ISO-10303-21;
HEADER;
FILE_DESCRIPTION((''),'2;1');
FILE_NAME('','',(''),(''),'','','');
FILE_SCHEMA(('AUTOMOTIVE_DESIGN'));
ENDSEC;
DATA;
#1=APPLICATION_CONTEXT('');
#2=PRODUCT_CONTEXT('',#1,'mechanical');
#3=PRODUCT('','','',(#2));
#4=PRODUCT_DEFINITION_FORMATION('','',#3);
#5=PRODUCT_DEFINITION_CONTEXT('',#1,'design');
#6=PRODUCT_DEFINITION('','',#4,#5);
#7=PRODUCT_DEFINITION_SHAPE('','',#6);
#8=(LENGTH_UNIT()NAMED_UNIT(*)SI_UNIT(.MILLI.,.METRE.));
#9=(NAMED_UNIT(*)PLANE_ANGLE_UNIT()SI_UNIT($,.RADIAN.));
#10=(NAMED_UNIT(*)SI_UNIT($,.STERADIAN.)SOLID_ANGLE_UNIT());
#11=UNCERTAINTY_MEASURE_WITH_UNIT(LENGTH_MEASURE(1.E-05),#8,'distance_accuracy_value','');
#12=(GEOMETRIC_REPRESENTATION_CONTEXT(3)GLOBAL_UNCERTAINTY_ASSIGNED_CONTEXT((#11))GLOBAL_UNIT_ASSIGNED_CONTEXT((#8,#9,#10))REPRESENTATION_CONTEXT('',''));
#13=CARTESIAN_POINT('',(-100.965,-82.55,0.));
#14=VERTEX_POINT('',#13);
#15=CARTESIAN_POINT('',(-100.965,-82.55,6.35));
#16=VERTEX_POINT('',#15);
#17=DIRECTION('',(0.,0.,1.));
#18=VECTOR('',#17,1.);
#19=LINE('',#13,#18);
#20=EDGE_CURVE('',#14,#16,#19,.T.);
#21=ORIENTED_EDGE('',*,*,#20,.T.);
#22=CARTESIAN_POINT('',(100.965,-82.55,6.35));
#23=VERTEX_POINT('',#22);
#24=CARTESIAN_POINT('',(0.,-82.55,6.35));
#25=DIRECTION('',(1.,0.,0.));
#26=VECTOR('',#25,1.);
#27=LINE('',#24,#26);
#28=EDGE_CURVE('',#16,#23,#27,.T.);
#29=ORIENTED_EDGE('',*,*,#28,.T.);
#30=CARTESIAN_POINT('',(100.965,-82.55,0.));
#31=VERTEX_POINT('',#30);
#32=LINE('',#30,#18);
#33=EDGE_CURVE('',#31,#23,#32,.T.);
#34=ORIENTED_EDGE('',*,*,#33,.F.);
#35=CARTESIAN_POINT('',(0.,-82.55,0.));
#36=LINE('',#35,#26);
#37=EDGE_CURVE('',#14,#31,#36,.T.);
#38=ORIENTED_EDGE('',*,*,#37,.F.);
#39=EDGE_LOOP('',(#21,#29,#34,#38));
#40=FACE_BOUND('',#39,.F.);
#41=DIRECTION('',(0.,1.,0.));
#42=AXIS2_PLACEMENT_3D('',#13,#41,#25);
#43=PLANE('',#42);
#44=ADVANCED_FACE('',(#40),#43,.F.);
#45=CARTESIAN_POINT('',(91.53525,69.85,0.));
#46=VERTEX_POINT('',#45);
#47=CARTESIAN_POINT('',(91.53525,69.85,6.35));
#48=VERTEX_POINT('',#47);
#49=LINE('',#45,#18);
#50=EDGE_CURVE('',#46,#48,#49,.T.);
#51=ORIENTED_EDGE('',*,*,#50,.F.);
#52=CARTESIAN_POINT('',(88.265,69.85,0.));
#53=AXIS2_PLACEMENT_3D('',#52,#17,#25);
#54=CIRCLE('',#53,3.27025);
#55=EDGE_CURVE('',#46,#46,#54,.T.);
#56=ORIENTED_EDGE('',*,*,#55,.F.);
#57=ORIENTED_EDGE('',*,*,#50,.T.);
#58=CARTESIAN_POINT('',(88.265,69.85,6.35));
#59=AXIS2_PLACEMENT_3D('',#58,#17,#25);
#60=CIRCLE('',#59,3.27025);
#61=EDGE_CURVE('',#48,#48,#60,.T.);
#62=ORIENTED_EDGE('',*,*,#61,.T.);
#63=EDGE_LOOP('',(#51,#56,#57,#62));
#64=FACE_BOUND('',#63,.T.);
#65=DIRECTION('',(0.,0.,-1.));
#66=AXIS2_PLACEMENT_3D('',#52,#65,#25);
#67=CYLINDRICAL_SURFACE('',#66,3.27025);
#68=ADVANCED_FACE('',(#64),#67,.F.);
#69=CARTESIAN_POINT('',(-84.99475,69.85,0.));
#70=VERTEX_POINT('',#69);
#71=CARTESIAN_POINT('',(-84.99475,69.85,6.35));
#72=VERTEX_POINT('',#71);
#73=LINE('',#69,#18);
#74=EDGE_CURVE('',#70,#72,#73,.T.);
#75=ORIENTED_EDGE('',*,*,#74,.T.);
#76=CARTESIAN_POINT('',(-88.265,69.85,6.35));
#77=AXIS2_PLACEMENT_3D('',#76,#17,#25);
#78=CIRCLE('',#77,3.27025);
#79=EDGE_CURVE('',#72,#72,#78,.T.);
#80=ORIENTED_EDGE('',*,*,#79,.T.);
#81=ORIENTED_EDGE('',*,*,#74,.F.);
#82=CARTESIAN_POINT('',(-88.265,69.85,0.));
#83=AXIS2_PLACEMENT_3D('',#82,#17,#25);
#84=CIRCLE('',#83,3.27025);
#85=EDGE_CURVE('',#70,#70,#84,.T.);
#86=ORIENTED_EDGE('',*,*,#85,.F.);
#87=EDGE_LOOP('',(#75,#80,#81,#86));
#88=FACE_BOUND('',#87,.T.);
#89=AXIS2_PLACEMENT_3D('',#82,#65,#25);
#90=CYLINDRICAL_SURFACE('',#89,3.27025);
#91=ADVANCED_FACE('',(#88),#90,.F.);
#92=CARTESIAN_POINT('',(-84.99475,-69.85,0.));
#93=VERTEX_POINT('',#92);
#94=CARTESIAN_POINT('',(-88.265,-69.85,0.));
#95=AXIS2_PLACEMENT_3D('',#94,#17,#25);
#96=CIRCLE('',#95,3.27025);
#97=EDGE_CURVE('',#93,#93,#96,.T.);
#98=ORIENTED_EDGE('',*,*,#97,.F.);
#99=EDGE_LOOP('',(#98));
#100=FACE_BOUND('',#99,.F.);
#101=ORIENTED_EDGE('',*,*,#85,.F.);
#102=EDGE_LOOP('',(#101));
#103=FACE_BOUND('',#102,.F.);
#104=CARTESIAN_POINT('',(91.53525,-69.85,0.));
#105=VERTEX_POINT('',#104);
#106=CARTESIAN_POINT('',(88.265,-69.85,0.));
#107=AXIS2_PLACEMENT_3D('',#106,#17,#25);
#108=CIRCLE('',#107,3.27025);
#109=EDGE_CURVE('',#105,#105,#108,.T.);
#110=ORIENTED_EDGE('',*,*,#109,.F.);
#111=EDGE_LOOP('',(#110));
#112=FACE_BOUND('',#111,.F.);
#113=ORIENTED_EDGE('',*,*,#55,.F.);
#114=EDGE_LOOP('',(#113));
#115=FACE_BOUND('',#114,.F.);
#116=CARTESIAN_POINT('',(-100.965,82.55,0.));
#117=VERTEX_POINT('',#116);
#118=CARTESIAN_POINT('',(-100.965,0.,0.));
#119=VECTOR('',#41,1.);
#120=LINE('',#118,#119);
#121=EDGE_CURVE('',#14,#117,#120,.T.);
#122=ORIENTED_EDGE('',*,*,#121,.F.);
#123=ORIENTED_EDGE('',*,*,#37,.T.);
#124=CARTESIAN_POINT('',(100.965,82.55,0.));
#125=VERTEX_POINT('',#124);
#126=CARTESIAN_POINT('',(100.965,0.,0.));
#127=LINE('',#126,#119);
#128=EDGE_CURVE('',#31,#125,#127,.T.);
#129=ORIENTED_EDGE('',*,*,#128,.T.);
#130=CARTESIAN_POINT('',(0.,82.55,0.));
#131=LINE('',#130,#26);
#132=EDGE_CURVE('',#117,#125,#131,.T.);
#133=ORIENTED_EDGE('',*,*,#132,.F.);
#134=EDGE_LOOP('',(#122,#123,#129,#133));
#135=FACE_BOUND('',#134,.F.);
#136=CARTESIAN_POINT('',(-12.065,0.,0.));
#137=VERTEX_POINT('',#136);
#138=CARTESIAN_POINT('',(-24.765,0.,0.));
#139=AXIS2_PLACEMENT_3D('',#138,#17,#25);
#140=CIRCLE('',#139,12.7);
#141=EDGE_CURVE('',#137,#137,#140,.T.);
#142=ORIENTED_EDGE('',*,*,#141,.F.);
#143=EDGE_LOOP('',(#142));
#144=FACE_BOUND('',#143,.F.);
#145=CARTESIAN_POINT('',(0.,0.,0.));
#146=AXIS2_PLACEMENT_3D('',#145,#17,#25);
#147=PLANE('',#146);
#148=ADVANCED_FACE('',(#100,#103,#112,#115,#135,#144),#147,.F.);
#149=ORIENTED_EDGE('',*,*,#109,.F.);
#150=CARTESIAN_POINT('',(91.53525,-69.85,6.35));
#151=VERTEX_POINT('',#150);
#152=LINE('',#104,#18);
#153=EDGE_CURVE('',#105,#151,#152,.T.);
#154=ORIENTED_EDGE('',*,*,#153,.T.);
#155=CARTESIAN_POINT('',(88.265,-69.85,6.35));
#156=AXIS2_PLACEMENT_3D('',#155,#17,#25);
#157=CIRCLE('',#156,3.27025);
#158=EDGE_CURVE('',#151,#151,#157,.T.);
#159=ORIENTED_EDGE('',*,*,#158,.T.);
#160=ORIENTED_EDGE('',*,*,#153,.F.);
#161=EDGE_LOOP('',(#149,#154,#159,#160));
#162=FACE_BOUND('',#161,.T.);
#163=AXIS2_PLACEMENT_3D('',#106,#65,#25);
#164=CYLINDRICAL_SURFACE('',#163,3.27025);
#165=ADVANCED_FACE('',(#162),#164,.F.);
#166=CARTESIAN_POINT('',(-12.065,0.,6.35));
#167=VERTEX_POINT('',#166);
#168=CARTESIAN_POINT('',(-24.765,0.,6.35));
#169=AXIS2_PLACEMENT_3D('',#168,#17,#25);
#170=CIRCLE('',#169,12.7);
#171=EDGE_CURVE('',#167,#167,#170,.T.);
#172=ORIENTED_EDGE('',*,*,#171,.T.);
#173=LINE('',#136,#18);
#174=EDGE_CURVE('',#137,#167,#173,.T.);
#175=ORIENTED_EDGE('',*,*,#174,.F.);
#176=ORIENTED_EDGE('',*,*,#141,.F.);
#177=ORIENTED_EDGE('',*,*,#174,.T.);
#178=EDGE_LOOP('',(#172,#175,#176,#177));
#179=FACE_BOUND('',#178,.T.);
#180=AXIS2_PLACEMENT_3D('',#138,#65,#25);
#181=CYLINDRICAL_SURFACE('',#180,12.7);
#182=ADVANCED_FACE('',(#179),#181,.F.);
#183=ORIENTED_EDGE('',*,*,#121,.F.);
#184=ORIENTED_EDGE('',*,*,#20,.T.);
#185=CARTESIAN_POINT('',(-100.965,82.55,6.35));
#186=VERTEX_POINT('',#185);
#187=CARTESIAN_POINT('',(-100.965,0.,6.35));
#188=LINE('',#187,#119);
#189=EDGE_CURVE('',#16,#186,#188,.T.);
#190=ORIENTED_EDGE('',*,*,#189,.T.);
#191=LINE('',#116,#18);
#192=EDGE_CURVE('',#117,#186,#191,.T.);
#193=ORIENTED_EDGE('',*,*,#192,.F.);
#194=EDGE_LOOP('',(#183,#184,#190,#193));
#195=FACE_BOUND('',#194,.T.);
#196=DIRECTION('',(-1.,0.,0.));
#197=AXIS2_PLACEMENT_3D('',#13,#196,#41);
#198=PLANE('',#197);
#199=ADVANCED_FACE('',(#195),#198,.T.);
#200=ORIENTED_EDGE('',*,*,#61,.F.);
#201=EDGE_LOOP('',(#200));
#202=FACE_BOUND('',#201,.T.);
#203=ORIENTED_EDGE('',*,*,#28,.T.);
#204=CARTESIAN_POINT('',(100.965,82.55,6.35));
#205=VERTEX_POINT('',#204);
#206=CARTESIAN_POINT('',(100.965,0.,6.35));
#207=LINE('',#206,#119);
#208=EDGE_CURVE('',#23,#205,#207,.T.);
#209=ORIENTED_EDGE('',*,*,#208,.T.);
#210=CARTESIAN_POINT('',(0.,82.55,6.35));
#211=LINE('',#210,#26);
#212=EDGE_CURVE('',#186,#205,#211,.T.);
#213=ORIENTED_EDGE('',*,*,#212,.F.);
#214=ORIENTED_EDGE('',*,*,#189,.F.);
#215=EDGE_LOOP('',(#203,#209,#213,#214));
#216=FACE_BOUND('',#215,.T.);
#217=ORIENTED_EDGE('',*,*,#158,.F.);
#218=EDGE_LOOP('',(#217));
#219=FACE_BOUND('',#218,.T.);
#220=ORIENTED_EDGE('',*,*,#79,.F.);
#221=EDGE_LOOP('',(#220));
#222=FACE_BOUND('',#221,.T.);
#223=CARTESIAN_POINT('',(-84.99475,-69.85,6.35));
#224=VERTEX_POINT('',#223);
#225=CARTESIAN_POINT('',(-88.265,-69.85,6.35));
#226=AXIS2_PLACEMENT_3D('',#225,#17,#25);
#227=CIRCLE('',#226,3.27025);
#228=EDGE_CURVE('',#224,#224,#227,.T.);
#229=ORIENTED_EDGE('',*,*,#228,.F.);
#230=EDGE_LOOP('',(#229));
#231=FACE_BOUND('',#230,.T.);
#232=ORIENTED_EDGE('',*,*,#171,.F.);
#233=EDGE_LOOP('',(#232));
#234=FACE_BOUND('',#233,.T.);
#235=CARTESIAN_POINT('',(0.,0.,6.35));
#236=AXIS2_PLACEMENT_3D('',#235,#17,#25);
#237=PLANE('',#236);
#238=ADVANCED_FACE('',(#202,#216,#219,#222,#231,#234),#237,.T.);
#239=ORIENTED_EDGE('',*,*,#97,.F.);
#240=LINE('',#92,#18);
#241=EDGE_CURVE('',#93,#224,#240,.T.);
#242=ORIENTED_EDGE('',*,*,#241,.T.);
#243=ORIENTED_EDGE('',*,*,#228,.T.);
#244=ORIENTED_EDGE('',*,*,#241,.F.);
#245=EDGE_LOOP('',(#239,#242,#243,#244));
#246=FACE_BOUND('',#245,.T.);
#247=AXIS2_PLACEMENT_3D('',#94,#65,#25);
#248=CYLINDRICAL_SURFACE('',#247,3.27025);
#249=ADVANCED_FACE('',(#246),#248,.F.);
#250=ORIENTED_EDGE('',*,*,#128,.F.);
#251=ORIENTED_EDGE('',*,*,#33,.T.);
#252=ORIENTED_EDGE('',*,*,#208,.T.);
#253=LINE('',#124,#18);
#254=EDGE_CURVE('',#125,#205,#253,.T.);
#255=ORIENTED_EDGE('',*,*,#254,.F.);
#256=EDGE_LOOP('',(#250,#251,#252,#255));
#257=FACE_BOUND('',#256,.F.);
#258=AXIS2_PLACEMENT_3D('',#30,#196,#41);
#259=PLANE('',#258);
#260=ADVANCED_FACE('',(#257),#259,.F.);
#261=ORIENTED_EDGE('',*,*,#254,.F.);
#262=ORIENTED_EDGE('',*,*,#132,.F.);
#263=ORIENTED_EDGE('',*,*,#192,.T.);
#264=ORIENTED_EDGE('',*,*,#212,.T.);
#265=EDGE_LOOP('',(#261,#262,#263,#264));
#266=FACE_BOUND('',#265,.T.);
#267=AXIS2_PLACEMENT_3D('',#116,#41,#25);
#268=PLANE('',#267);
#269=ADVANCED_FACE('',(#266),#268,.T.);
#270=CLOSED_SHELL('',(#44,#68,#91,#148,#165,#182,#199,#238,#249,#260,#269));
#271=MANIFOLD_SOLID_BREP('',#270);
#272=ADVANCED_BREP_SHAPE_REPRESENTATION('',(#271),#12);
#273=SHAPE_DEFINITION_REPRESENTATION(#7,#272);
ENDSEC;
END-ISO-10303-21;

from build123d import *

# Parameters (mm, degrees)
F0_W     = 201.93
F0_H     = 165.1
F0_R     = 3.27025
F0_R_2   = 12.7
F1_DEPTH = 6.35


with BuildPart() as f1:
    # F0 (on Top) → F1 (new body)
    with BuildSketch(Plane.XY):
        Rectangle(F0_W, F0_H)
        with Locations((-88.265, -69.85)):
            Circle(F0_R, mode=Mode.SUBTRACT)
        with Locations((88.265, -69.85)):
            Circle(F0_R, mode=Mode.SUBTRACT)
        with Locations((-24.765, 0)):
            Circle(F0_R_2, mode=Mode.SUBTRACT)
        with Locations((-88.265, 69.85)):
            Circle(F0_R, mode=Mode.SUBTRACT)
        with Locations((88.265, 69.85)):
            Circle(F0_R, mode=Mode.SUBTRACT)
    extrude(amount=F1_DEPTH)


solid = f1.part
